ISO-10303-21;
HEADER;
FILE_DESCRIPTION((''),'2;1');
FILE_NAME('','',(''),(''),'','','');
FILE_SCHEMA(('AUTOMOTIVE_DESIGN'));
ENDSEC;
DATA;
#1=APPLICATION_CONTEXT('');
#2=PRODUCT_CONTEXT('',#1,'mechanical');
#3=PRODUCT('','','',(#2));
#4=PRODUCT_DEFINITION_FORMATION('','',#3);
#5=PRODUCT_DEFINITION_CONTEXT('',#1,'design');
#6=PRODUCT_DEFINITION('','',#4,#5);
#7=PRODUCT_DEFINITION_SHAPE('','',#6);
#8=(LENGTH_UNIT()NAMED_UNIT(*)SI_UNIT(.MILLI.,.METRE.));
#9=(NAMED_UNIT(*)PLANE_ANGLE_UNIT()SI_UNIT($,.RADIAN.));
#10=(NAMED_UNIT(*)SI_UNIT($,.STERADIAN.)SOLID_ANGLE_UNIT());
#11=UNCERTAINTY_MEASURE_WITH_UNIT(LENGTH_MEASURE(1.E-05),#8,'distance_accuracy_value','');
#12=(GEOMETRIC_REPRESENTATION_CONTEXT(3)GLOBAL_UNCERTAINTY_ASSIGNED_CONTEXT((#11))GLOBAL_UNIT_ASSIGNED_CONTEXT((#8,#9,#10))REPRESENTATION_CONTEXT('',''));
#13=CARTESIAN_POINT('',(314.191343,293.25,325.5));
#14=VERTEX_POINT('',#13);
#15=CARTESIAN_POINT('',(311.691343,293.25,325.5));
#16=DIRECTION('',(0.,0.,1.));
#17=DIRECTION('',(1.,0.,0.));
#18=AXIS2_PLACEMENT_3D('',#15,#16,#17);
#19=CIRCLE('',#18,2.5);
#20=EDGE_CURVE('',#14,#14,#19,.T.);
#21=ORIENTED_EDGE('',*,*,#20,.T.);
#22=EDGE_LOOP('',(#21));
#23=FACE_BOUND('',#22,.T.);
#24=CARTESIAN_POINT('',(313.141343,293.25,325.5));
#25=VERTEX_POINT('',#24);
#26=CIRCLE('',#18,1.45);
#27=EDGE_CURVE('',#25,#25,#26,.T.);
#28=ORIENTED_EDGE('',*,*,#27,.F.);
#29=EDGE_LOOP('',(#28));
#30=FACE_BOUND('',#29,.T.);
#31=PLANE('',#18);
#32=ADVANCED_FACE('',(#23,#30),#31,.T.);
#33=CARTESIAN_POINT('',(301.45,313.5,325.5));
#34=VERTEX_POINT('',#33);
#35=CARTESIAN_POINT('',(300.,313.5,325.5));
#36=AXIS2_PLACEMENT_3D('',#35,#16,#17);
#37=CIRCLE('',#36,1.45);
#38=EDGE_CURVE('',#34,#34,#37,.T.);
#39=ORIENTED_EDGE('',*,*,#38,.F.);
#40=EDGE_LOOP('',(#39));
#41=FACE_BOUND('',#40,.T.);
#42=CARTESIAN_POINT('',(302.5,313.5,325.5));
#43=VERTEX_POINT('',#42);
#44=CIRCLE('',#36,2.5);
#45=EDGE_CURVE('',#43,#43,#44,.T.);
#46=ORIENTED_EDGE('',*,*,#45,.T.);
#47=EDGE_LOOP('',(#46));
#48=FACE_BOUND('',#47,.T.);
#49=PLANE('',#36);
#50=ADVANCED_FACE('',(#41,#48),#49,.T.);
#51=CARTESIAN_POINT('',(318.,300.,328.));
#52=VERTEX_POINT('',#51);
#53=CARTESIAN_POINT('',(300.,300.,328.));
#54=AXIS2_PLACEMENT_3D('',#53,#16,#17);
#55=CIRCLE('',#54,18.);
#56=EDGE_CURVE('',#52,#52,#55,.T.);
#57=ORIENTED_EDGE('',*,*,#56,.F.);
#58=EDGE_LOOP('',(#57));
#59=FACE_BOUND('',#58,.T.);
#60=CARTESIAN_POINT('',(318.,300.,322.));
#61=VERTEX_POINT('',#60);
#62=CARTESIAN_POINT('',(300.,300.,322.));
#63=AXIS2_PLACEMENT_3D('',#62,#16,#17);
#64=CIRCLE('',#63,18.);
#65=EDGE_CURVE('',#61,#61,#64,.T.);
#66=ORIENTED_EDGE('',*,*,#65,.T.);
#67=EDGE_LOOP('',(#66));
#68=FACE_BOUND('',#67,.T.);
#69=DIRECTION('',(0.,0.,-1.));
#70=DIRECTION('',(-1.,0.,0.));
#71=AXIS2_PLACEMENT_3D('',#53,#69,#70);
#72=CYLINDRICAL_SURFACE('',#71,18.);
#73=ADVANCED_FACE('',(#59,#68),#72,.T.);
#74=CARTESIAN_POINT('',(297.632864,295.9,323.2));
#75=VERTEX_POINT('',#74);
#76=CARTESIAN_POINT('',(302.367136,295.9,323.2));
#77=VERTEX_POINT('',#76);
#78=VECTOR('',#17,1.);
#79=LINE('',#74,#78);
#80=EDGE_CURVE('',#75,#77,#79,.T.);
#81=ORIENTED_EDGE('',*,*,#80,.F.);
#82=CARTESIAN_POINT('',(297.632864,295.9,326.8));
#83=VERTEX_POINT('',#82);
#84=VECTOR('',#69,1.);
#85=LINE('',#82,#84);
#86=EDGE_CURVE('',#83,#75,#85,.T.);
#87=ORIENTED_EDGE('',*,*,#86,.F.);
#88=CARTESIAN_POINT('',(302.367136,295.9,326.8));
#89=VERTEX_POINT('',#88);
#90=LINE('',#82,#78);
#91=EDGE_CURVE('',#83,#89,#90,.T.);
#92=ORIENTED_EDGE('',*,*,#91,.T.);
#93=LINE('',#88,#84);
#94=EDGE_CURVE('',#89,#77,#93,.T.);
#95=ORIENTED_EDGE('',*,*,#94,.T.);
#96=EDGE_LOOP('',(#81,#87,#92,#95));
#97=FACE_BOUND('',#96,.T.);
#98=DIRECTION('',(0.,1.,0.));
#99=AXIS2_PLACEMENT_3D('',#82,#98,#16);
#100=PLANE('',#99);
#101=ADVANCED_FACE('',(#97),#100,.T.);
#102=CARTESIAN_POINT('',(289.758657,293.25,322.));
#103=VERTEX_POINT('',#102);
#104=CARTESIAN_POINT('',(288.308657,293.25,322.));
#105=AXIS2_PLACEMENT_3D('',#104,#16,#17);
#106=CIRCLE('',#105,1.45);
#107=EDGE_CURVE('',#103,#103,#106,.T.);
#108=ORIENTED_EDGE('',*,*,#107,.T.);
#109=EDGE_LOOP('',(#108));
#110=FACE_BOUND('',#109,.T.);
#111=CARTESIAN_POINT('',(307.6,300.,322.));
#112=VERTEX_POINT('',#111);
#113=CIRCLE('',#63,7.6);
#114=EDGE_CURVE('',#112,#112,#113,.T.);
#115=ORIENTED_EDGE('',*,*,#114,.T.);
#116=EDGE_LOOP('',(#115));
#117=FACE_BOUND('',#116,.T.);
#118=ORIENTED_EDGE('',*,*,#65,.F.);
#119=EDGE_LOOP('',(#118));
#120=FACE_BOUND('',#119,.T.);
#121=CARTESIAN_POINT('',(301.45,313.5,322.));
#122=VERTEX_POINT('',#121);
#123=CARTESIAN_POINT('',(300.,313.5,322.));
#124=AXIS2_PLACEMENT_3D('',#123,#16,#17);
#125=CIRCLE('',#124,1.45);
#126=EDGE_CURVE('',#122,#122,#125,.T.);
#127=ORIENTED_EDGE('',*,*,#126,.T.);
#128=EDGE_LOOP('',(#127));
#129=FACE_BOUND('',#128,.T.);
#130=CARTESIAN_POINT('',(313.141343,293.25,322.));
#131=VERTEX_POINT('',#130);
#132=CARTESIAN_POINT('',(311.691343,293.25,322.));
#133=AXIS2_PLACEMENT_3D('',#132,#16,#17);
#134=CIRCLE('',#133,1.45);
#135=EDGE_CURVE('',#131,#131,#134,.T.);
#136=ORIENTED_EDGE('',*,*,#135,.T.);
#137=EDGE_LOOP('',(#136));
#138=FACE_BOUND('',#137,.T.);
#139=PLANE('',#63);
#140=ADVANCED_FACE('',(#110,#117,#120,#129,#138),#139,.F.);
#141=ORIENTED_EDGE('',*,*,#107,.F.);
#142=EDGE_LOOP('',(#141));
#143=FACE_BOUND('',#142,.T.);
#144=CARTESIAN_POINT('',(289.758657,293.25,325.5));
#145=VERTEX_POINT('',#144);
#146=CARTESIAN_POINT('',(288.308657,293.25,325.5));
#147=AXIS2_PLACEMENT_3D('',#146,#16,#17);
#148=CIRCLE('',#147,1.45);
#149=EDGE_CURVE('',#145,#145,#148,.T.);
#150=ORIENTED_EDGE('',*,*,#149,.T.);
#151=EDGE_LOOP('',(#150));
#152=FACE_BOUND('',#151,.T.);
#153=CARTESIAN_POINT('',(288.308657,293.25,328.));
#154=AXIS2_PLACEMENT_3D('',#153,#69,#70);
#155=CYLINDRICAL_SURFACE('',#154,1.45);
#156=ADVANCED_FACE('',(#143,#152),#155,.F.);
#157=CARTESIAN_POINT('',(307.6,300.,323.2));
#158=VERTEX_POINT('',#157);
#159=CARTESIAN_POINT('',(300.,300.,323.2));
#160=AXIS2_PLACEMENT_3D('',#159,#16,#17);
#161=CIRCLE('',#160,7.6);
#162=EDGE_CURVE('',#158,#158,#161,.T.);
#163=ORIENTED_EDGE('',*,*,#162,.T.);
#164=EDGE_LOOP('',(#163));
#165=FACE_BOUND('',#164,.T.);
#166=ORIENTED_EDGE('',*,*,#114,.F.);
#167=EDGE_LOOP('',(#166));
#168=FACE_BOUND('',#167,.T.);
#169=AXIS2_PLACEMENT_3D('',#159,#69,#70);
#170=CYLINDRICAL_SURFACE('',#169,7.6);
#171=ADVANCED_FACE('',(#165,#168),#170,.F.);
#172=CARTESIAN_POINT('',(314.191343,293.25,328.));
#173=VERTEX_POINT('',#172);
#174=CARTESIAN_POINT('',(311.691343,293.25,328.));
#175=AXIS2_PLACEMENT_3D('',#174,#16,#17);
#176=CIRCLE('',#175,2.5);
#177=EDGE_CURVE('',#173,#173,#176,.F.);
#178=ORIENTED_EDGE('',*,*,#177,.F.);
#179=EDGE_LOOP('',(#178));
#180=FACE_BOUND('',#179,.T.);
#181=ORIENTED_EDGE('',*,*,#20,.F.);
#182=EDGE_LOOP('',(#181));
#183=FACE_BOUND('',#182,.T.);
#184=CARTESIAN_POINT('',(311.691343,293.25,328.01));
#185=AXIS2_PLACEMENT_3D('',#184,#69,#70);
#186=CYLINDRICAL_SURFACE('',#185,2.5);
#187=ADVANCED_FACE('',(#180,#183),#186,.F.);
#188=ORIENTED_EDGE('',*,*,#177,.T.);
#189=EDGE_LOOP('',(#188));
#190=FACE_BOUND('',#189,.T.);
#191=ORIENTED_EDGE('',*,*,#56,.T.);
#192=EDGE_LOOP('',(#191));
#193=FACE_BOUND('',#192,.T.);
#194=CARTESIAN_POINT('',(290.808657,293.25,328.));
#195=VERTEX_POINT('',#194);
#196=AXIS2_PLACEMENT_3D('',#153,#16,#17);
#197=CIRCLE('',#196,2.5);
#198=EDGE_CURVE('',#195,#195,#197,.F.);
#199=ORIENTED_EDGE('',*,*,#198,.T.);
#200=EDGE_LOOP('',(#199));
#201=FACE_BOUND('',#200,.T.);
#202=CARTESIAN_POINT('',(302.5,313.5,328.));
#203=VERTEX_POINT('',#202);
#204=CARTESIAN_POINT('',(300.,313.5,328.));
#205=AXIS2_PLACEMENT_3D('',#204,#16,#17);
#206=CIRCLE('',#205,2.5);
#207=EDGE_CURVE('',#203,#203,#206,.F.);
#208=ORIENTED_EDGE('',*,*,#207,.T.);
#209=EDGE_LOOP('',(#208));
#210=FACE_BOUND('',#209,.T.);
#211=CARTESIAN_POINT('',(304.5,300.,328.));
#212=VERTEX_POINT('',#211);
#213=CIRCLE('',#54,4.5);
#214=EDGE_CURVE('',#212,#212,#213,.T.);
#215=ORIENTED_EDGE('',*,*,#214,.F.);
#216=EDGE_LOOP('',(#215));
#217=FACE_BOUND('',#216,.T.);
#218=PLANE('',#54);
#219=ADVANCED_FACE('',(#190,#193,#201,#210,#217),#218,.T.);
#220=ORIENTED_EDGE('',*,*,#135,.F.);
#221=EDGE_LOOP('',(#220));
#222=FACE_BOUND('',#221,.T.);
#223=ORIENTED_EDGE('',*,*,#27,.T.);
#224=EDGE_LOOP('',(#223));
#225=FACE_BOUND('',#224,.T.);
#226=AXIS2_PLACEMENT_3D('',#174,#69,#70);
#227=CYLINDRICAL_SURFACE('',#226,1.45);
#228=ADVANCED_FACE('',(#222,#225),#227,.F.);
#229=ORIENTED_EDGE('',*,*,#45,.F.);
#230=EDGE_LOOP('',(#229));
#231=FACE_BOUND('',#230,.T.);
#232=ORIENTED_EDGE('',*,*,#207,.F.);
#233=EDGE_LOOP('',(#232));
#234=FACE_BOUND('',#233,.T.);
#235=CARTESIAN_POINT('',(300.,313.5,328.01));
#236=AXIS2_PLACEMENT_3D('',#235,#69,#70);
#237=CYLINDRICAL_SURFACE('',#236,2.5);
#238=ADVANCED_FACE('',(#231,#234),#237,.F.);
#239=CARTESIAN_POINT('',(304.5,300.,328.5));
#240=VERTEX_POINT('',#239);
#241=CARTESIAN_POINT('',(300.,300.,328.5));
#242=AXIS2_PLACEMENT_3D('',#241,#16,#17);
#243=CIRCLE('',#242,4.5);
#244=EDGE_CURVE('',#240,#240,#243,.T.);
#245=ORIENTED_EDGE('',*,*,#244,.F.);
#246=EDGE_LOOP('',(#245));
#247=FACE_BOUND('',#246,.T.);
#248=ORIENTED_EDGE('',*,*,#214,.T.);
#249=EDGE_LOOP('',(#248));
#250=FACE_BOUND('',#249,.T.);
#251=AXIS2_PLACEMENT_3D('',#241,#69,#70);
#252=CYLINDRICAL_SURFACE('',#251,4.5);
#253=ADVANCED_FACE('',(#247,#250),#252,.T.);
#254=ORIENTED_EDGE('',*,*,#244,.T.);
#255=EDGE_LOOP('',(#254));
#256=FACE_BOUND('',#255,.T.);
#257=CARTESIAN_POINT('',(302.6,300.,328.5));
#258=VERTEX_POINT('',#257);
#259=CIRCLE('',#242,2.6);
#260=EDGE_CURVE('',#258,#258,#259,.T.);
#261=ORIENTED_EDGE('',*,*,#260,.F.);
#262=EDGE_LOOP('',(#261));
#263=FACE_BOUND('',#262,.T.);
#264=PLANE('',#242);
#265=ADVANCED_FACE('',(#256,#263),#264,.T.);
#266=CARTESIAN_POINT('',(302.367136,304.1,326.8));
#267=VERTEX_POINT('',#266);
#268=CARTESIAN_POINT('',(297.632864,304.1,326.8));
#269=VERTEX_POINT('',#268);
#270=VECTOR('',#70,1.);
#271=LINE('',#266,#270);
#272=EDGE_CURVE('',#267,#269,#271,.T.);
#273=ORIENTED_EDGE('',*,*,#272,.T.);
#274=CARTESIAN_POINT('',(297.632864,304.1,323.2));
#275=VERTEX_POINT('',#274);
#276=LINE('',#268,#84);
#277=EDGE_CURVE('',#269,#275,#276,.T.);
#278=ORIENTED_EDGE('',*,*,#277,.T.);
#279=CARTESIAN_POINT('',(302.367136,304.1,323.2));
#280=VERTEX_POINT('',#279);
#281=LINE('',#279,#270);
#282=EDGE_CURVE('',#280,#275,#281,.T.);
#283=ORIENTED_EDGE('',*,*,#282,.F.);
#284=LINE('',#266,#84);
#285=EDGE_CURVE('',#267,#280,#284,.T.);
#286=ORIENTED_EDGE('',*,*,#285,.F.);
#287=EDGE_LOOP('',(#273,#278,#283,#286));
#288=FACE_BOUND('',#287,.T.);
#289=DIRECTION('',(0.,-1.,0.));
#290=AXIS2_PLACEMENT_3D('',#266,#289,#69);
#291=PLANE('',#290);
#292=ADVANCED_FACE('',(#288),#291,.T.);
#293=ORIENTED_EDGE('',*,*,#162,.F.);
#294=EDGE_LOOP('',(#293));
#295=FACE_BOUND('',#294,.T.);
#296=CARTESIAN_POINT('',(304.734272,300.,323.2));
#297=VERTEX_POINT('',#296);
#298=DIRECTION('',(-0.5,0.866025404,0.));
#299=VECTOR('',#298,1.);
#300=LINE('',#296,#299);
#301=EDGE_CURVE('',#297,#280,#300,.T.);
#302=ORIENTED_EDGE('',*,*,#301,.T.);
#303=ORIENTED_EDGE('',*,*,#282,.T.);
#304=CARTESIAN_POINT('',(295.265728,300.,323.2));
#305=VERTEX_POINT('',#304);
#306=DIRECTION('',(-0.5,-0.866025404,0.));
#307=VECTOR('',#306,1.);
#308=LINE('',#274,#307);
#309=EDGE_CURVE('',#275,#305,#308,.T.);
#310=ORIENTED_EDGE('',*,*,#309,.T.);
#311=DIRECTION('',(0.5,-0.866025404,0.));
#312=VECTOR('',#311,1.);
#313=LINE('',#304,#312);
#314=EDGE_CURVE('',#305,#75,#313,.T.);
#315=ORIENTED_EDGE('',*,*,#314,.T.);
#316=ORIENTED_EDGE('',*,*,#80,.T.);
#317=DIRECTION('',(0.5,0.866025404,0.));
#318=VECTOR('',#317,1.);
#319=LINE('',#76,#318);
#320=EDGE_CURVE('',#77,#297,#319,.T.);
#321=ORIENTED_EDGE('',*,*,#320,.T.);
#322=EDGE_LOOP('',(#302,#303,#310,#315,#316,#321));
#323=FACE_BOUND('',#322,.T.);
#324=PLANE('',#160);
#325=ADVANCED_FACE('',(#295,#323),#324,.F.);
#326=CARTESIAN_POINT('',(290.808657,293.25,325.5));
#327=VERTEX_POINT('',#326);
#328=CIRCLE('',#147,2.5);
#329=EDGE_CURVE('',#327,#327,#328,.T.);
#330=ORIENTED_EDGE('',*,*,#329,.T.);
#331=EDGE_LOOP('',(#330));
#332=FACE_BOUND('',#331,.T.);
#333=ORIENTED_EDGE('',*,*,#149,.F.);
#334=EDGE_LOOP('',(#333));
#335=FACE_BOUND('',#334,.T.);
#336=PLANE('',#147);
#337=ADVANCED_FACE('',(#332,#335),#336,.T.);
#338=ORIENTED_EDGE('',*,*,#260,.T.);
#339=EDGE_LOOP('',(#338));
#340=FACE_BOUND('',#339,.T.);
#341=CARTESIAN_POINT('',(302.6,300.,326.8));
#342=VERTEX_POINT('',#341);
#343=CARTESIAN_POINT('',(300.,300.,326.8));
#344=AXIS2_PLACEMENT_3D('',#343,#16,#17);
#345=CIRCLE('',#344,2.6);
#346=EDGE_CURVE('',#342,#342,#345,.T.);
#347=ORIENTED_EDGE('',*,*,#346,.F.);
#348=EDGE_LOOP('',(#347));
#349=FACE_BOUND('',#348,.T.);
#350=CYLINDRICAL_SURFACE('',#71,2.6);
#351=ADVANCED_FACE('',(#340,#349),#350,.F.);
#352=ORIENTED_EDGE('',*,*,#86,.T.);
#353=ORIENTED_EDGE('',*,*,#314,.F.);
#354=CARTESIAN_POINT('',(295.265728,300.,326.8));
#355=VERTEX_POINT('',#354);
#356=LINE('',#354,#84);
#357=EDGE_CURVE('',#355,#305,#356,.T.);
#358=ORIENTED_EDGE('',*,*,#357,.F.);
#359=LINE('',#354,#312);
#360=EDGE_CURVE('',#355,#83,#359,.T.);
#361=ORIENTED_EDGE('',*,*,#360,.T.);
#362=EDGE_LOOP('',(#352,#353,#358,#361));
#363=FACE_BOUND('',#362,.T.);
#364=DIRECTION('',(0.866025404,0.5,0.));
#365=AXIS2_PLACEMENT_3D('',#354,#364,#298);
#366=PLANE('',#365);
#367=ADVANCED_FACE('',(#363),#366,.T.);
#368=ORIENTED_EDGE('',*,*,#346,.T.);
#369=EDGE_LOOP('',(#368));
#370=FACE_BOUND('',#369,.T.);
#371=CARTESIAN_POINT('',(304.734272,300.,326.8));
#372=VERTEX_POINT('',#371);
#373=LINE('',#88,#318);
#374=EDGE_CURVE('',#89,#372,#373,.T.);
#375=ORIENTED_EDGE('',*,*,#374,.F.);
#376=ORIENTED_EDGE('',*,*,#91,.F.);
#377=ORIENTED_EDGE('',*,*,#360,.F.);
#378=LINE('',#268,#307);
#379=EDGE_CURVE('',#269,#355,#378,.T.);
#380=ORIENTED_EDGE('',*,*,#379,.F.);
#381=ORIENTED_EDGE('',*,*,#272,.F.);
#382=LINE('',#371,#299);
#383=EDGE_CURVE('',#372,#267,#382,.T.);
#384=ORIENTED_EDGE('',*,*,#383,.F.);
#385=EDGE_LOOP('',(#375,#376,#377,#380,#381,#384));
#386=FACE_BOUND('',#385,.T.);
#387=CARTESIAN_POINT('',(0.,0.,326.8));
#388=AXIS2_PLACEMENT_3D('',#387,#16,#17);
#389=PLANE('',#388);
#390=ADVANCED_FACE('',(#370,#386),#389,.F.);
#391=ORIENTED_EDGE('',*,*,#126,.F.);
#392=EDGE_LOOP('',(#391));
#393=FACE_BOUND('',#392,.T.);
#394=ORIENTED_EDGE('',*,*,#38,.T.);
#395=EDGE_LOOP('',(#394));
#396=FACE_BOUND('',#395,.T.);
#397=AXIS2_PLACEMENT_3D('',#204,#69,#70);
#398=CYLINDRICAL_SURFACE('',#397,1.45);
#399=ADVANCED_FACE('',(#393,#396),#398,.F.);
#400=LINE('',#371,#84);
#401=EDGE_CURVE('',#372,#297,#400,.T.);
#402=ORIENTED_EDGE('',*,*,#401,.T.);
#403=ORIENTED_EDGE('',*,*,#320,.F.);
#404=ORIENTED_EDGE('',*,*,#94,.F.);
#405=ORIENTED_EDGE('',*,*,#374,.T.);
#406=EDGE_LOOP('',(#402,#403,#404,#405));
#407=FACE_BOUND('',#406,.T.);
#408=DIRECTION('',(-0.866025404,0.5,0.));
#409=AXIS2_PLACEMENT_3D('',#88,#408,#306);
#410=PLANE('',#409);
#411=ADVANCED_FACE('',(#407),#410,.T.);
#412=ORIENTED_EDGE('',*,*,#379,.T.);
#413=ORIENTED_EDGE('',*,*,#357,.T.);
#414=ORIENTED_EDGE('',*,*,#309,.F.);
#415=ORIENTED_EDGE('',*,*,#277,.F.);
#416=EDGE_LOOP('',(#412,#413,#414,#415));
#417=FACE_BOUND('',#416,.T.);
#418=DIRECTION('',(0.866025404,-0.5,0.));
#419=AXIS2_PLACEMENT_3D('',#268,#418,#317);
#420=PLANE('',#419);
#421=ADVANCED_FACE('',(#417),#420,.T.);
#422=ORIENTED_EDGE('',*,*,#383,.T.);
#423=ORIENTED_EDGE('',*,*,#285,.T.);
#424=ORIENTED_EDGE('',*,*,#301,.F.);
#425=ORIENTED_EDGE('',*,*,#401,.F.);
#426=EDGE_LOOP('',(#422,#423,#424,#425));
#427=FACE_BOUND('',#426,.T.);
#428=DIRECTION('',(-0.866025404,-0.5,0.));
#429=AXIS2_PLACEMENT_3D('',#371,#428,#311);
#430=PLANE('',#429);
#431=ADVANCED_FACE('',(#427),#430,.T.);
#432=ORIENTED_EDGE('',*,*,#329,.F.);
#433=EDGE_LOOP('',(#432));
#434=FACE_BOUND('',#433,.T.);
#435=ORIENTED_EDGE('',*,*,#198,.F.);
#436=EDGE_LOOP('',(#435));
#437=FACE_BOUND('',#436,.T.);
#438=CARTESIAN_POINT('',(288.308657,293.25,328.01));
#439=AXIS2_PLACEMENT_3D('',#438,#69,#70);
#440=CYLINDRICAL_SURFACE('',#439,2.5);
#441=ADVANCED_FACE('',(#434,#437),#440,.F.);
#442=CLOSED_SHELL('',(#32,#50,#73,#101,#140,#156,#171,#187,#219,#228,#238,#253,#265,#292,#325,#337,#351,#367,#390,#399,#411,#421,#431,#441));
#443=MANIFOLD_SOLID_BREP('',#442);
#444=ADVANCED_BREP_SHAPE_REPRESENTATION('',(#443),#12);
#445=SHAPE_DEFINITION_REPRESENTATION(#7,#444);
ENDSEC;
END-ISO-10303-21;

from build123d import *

# Parameters (mm, degrees)
SKETCH1_R           = 18
SKETCH1_R_2         = 2.6
SKETCH1_R_3         = 1.45
BOSS_EXTRUDE1_DEPTH = 6
SKETCH2_R           = 2.5
CUT_EXTRUDE1_DEPTH  = 2.51
SKETCH3_R           = 7.6
CUT_EXTRUDE2_DEPTH  = 1.2
CUT_EXTRUDE3_DEPTH  = 3.6
SKETCH5_R           = 4.5
SKETCH5_R_2         = 2.6
BOSS_EXTRUDE2_DEPTH = 0.5


with BuildPart() as part:
    # Sketch1 → Boss-Extrude1 (new body)
    with BuildSketch(Plane.XY.offset(322)):
        with Locations((300, 300)):
            Circle(SKETCH1_R)
        with Locations((300, 300)):
            Circle(SKETCH1_R_2, mode=Mode.SUBTRACT)
        with Locations((300, 313.5)):
            Circle(SKETCH1_R_3, mode=Mode.SUBTRACT)
        with Locations((288.308657049, 293.25)):
            Circle(SKETCH1_R_3, mode=Mode.SUBTRACT)
        with Locations((311.691342951, 293.25)):
            Circle(SKETCH1_R_3, mode=Mode.SUBTRACT)
    extrude(amount=BOSS_EXTRUDE1_DEPTH)

    # Sketch2 → Cut-Extrude1 (cut)
    with BuildSketch(Plane.XY.offset(325.5)):
        with Locations((300, 313.5)):
            Circle(SKETCH2_R)
        with Locations((288.308657049, 293.25)):
            Circle(SKETCH2_R)
        with Locations((311.691342951, 293.25)):
            Circle(SKETCH2_R)
    extrude(amount=CUT_EXTRUDE1_DEPTH, mode=Mode.SUBTRACT)

    # Sketch3 → Cut-Extrude2 (cut)
    with BuildSketch(Plane.XY.offset(322)):
        with Locations((300, 300)):
            Circle(SKETCH3_R)
    extrude(amount=CUT_EXTRUDE2_DEPTH, mode=Mode.SUBTRACT)

    # Sketch4 → Cut-Extrude3 (cut)
    with BuildSketch(Plane.XY.offset(323.2)):
        Polygon((304.734272207, 300), (302.367136104, 304.1), (297.632863896, 304.1), (295.265727793, 300), (297.632863896, 295.9), (302.367136104, 295.9), align=None)
    extrude(amount=CUT_EXTRUDE3_DEPTH, mode=Mode.SUBTRACT)

    # Sketch5 → Boss-Extrude2 (add)
    with BuildSketch(Plane.XY.offset(328)):
        with Locations((300, 300)):
            Circle(SKETCH5_R)
        with Locations((300, 300)):
            Circle(SKETCH5_R_2, mode=Mode.SUBTRACT)
    extrude(amount=BOSS_EXTRUDE2_DEPTH)


solid = part.part
